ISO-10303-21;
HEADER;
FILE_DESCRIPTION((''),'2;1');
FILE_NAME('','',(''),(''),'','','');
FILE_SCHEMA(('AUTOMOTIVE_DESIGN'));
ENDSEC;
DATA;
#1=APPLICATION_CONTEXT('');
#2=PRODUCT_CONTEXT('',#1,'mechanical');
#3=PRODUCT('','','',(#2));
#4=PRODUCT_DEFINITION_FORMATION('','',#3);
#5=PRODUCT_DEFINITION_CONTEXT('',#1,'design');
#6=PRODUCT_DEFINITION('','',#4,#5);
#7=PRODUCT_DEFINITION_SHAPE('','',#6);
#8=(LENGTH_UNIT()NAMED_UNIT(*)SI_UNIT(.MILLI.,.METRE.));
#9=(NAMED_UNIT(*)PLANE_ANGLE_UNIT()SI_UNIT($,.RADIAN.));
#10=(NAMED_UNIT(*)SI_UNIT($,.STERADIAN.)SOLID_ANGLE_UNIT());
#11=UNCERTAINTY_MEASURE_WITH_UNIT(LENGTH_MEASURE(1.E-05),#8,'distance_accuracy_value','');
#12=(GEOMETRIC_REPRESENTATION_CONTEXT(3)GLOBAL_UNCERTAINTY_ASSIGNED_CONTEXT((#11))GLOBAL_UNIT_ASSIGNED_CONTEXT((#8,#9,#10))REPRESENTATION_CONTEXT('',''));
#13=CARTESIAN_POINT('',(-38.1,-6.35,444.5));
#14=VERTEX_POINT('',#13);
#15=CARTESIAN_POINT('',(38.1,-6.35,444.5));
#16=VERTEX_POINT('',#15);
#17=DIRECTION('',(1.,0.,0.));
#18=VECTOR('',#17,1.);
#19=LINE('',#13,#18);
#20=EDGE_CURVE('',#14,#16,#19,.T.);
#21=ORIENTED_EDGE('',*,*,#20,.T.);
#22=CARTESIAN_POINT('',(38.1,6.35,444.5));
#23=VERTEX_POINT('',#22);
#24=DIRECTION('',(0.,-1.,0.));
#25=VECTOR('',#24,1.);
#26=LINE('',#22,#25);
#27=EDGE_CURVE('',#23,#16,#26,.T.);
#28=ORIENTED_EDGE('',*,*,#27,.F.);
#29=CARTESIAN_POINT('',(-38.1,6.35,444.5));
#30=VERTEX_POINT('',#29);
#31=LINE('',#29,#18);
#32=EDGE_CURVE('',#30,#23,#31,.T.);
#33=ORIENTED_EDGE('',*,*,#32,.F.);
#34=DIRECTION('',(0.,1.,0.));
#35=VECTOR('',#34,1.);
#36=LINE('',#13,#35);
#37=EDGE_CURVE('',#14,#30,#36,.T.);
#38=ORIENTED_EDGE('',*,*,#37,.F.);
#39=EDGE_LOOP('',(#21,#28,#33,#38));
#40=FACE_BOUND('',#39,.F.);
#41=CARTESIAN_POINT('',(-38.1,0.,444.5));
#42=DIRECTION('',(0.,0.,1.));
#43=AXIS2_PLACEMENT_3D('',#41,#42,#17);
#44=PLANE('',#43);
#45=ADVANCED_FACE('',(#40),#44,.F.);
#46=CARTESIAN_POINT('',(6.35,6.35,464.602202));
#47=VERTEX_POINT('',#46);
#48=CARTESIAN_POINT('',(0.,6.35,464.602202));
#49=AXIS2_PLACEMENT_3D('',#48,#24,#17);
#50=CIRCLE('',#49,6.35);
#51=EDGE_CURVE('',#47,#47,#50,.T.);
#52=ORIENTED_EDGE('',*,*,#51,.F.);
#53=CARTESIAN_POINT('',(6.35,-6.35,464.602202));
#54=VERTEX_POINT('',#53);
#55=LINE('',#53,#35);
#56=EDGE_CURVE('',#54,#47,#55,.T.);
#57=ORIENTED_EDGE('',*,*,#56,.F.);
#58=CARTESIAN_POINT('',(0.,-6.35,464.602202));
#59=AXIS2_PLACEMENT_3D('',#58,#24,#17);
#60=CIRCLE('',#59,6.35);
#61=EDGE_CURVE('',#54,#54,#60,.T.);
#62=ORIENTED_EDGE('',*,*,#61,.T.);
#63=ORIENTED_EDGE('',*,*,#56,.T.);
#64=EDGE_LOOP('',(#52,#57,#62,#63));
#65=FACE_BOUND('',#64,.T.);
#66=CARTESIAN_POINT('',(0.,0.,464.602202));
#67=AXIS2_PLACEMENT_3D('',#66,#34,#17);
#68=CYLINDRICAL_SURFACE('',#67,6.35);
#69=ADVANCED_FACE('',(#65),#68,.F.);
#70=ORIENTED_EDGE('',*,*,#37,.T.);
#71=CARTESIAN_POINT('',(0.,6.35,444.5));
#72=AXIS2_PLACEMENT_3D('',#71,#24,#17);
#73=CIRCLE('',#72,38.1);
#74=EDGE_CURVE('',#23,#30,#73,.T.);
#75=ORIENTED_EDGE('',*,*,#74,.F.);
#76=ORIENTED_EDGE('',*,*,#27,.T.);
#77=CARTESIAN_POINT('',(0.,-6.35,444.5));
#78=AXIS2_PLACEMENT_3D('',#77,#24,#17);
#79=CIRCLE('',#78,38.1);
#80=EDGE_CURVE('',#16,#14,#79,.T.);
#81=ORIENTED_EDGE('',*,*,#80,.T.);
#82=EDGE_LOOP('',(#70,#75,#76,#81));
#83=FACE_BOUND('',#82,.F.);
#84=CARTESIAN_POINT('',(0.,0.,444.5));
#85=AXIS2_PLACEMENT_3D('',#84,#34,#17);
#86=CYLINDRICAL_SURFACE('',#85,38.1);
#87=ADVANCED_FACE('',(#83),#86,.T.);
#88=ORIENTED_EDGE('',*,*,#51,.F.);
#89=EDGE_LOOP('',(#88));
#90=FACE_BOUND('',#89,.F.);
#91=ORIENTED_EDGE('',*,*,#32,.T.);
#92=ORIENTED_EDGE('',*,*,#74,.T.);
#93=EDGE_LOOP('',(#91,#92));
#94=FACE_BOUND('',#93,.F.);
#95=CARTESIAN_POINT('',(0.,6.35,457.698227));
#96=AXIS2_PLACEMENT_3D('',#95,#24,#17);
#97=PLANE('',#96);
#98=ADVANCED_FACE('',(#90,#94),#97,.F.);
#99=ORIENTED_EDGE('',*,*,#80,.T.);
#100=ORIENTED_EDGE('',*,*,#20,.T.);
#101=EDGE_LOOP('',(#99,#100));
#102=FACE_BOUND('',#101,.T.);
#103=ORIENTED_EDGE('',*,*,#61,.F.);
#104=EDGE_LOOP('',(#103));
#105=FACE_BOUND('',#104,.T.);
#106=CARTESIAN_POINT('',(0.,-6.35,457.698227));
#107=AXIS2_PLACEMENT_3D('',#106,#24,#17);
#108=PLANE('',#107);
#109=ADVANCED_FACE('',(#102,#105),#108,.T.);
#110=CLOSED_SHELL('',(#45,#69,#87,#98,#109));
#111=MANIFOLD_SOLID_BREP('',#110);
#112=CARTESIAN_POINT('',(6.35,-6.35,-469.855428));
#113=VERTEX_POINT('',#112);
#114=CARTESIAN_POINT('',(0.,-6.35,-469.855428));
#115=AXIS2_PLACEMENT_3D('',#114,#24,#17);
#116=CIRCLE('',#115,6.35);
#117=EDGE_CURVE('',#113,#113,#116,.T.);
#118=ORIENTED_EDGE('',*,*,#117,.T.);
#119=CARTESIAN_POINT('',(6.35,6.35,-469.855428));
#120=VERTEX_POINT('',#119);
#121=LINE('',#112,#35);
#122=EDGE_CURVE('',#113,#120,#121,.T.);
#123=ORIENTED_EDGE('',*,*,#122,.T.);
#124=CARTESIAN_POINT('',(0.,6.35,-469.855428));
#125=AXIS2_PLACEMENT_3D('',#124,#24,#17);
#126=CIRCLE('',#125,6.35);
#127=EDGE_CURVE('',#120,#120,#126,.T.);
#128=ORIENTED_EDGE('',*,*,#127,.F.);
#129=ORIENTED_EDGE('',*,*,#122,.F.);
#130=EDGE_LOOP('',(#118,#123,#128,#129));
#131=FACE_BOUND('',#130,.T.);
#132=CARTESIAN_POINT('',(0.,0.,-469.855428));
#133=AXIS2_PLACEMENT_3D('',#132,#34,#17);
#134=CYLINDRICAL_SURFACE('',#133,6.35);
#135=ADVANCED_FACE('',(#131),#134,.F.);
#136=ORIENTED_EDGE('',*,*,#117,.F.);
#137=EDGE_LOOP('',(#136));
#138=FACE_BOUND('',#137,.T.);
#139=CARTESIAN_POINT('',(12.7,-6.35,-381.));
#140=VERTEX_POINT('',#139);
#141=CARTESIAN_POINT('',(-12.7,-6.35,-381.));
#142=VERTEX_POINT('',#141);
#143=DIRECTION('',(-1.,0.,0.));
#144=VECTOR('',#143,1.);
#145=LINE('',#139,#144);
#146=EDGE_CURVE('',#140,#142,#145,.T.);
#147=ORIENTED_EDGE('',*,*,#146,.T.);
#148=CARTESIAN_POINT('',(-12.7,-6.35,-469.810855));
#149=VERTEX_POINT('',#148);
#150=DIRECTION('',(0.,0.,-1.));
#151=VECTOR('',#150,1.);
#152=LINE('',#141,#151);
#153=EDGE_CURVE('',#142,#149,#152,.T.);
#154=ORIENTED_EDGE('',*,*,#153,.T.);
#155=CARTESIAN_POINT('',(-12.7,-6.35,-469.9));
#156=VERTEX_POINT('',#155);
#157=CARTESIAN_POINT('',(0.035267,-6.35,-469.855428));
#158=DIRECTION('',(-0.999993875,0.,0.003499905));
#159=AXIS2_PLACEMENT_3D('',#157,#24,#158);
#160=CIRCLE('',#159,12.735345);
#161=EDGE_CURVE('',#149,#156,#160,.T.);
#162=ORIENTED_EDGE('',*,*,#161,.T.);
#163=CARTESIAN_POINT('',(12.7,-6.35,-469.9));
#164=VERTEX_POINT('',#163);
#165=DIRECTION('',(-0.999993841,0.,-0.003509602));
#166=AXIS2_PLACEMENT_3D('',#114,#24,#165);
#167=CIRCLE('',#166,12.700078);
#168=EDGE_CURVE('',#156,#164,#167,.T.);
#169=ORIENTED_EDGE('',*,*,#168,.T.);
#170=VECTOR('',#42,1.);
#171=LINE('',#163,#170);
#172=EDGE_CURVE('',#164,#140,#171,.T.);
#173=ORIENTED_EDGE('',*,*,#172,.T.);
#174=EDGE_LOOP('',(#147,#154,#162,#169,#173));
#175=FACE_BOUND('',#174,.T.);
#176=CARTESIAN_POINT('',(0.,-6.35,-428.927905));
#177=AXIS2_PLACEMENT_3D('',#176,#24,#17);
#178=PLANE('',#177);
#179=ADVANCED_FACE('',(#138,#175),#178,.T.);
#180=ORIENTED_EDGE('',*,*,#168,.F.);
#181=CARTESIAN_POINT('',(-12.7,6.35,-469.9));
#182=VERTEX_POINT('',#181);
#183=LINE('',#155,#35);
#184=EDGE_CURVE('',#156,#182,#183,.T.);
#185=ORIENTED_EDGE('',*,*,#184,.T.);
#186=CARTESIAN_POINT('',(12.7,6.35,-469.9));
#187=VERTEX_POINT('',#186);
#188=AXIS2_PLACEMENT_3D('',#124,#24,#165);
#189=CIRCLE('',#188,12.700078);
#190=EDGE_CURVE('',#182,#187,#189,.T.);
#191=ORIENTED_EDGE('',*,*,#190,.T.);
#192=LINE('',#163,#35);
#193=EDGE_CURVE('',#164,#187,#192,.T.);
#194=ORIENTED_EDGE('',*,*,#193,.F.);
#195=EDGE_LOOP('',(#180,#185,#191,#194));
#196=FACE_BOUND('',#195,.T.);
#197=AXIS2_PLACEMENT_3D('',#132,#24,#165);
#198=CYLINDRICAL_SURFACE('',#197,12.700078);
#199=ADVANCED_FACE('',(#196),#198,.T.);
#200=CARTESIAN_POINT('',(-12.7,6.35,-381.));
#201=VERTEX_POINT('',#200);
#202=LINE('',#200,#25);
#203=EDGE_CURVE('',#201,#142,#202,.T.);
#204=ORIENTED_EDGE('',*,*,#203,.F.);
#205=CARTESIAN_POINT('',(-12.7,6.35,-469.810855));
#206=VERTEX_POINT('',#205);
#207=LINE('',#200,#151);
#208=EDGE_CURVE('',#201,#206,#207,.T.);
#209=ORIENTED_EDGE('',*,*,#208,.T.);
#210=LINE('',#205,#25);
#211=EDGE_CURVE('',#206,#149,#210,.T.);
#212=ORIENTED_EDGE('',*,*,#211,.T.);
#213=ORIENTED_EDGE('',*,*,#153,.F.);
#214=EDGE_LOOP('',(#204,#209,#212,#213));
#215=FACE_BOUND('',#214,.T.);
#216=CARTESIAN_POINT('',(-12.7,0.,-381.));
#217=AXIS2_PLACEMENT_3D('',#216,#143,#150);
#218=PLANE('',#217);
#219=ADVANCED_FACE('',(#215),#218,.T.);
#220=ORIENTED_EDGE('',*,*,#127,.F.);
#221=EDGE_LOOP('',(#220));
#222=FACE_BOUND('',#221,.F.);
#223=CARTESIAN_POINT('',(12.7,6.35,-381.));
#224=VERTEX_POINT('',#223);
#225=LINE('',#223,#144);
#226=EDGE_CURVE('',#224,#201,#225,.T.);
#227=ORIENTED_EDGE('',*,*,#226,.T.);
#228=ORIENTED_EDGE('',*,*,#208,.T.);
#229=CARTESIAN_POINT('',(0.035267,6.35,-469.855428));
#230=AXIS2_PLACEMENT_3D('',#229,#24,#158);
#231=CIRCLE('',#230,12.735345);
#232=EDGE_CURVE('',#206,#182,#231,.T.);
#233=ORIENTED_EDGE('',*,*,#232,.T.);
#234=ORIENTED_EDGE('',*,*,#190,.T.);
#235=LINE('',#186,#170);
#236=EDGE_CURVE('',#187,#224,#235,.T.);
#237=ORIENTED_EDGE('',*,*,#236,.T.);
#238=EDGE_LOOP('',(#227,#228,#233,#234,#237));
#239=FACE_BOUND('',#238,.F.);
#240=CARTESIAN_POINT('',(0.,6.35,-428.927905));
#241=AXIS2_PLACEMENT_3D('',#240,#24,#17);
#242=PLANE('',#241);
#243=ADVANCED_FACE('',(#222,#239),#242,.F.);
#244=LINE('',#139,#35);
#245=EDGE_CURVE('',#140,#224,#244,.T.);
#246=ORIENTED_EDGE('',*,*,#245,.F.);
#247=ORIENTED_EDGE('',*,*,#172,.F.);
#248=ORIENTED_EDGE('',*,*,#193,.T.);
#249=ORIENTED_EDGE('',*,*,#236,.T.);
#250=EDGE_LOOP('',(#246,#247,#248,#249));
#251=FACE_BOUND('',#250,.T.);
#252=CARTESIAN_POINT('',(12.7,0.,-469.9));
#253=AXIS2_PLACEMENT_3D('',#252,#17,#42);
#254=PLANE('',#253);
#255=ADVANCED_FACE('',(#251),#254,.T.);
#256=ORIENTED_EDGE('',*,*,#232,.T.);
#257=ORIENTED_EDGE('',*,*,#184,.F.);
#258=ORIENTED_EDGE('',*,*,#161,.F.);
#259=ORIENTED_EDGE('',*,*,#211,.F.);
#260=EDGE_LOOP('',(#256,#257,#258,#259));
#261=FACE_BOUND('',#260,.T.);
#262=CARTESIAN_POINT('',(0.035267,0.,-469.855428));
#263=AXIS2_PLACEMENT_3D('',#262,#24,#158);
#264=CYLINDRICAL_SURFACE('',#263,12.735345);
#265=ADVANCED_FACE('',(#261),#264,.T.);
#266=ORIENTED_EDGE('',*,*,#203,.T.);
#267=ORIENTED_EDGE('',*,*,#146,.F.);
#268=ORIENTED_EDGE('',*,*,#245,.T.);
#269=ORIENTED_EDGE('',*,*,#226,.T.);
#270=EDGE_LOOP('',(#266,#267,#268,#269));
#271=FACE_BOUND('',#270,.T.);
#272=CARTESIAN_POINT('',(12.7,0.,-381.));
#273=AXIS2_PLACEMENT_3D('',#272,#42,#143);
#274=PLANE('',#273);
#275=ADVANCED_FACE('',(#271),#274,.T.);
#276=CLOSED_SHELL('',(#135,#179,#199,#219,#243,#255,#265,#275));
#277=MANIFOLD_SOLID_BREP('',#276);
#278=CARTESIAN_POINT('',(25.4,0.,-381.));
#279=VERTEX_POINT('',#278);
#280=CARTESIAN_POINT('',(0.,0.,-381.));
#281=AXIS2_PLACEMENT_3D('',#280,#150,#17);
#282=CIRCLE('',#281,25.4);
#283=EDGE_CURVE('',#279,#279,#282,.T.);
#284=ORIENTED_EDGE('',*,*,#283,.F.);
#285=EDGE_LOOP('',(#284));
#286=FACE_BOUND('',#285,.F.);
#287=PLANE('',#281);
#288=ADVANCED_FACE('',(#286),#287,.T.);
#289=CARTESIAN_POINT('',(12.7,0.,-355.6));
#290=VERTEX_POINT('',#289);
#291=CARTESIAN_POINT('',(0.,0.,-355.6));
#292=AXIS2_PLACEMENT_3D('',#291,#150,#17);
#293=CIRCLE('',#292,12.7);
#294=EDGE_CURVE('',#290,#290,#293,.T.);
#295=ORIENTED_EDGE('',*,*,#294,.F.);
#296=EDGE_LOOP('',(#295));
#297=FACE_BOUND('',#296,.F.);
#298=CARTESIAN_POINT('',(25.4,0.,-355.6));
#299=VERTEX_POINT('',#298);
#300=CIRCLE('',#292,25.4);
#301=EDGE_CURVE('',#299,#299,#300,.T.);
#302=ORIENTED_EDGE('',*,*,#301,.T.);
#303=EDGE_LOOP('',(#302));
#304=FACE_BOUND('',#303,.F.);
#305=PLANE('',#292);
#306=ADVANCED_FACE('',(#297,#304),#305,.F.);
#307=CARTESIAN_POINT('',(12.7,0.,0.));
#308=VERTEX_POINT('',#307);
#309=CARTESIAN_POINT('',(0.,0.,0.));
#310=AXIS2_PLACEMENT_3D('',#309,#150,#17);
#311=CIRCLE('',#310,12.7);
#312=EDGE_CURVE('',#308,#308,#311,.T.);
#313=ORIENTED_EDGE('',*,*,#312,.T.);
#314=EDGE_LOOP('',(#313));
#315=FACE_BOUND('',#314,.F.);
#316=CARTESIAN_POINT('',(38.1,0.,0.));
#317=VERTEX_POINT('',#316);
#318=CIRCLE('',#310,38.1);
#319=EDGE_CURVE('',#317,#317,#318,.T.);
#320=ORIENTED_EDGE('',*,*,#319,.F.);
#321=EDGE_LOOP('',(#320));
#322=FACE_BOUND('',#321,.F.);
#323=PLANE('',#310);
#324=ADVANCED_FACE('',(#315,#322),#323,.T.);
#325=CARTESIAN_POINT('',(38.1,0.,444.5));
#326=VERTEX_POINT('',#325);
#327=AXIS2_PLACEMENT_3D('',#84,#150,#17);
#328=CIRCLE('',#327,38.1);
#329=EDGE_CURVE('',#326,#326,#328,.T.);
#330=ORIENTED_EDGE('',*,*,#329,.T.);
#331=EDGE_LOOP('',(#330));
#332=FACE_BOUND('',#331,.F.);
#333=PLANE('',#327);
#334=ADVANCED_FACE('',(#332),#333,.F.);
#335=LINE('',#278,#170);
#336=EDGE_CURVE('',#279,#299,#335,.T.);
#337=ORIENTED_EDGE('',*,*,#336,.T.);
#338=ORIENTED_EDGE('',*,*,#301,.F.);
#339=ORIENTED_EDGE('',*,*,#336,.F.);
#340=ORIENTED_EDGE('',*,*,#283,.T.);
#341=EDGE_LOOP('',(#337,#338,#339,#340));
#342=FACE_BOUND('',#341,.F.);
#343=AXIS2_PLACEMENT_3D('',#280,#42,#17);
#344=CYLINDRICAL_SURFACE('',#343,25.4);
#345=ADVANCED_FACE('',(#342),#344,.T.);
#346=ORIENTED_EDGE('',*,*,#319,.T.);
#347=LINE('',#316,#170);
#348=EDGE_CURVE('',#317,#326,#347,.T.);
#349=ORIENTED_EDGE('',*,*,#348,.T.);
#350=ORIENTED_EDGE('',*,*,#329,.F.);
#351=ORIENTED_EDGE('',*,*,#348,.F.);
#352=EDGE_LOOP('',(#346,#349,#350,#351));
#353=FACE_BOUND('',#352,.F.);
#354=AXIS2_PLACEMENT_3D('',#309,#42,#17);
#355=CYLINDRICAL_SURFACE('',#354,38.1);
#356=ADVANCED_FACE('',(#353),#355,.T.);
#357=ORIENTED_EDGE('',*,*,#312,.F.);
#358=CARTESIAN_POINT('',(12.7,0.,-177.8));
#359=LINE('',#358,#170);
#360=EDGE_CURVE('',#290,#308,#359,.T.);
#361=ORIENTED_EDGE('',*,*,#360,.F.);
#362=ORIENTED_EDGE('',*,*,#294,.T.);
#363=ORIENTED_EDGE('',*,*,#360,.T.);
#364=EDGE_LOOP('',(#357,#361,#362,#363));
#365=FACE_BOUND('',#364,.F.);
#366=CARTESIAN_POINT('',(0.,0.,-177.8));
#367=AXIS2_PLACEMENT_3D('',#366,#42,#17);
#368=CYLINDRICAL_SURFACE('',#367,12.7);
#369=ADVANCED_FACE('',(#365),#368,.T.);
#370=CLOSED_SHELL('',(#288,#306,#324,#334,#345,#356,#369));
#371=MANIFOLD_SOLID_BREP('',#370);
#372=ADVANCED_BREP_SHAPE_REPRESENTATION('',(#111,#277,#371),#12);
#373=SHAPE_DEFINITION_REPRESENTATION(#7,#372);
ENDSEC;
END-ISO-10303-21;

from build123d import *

# Parameters (mm, degrees)
F0_R     = 6.35
F1_DEPTH = 6.35
F0_W     = 12.7
F0_H     = 355.6


with BuildPart() as f1:
    # F0 (on Front) → F1 (new body, symmetric)
    with BuildSketch(Plane.XZ):
        with BuildLine():
            Line((-38.1, 444.5), (0, 444.5))
            Line((0, 444.5), (38.1, 444.5))
            ThreePointArc((38.1, 444.5), (0, 482.6), (-38.1, 444.5))
        make_face()
        with Locations((0, 464.602202)):
            Circle(F0_R, mode=Mode.SUBTRACT)
        with BuildLine():
            Line((12.7, -381), (0, -381))
            Line((0, -381), (-12.7, -381))
            Line((-12.7, -381), (-12.7, -469.810855))
            ThreePointArc((-12.7, -469.810855), (-12.700078, -469.855428), (-12.7, -469.9))
            ThreePointArc((-12.7, -469.9), (0, -482.555506), (12.7, -469.9))
            Line((12.7, -469.9), (12.7, -469.810855))
            Line((12.7, -469.810855), (12.7, -381))
        make_face()
        with Locations((0, -469.855428)):
            Circle(F0_R, mode=Mode.SUBTRACT)
    extrude(amount=F1_DEPTH, both=True)


with BuildPart() as f2:
    # F0 (on Front) → F2 (revolve)
    with BuildSketch(Plane.XZ):
        Polygon((0, 444.5), (0, 0), (12.7, 0), (38.1, 0), (38.1, 444.5), align=None)
        with Locations((6.35, -177.8)):
            Rectangle(F0_W, F0_H)
        Polygon((12.7, -355.6), (0, -355.6), (0, -381), (12.7, -381), (25.4, -381), (25.4, -355.6), align=None)
    revolve(axis=Axis((0, 0, -368.3), (0, 0, -1)))


solid = Compound([f1.part, f2.part])
